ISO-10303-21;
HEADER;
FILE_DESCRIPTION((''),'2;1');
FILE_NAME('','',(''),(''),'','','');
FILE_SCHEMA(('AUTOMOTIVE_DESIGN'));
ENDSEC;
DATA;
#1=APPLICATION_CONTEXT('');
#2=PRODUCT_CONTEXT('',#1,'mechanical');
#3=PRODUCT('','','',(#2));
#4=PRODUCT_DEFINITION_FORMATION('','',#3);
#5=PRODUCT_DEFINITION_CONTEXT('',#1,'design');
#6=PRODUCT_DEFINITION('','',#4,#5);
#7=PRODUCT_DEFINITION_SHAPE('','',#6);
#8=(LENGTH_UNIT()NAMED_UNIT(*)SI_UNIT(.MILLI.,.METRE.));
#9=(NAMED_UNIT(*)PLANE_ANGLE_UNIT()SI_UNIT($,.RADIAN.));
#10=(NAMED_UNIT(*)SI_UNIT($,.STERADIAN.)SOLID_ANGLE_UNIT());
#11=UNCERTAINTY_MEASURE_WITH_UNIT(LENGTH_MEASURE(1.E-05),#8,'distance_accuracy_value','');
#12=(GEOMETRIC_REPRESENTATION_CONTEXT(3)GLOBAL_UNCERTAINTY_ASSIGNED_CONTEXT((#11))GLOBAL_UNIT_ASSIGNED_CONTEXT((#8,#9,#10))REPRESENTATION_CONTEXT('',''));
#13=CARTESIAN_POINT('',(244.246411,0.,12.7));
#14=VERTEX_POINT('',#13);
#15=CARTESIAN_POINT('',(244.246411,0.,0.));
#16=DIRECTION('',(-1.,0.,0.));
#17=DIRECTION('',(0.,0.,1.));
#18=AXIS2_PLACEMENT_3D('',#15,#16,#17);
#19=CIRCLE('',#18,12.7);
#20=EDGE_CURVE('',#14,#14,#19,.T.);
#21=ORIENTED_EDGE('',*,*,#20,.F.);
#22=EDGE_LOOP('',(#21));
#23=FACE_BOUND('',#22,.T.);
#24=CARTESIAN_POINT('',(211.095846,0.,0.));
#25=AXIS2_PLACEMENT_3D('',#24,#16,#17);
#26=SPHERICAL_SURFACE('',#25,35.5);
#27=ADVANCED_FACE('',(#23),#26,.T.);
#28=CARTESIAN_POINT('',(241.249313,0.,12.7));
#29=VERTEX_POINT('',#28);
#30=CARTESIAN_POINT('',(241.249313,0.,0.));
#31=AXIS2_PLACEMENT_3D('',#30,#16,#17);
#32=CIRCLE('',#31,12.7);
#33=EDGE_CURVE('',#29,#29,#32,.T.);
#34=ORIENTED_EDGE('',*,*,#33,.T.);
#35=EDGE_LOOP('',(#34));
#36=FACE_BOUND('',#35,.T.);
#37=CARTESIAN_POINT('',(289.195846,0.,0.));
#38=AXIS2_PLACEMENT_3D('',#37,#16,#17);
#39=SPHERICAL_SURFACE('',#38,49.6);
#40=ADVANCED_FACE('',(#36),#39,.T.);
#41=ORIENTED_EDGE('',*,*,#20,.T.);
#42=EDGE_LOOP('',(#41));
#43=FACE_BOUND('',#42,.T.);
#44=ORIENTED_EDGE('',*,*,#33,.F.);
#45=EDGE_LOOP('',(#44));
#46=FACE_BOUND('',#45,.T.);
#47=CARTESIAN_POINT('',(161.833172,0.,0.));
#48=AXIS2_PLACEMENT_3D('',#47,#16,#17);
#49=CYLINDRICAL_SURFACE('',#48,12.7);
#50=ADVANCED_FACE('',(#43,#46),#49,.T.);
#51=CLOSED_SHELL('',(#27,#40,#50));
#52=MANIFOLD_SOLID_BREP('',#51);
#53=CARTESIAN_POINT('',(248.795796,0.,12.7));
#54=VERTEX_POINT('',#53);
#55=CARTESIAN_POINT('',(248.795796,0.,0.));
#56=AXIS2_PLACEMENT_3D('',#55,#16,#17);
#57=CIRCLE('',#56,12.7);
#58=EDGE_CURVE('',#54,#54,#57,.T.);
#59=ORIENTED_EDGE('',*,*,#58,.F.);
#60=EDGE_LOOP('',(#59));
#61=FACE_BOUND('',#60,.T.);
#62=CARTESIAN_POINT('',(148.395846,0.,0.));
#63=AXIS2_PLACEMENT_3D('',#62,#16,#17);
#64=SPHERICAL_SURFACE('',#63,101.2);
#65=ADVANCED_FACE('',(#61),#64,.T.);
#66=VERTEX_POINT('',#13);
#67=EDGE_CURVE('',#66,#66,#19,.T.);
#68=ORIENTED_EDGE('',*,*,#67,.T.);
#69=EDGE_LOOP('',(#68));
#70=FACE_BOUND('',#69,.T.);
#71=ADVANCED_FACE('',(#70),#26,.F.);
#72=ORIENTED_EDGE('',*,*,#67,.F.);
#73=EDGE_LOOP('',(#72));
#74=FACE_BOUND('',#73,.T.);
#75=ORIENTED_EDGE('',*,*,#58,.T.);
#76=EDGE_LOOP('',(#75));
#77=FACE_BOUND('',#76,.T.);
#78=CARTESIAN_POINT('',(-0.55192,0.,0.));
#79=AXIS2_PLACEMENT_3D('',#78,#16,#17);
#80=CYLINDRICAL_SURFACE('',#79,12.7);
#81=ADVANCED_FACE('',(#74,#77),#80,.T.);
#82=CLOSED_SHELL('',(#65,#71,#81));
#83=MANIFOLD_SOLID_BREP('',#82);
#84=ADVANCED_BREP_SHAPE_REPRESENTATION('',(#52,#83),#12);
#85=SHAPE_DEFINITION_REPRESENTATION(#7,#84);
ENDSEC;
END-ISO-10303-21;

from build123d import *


with BuildPart() as part:
    # 草图1 one side → 旋转1 (revolve)
    with BuildSketch(Plane(origin=(0, 0, 0), x_dir=(1, 0, 0), z_dir=(0, 1, 0)), mode=Mode.PRIVATE) as revolve_1_sk:
        with BuildLine():
            ThreePointArc((241.249313087, 12.7), (240.010949636, 6.403591844), (239.595845808, 0))
            Line((239.595845808, 0), (246.595845808, 0))
            ThreePointArc((246.595845808, 0), (246.003546098, 6.457744226), (244.246411414, 12.7))
            Line((244.246411414, 12.7), (241.249313087, 12.7))
        make_face()
    revolve(revolve_1_sk.sketch.rotate(Axis((161.833171693, 0, 0), (1, 0, 0)), 180), axis=Axis((161.833171693, 0, 0), (1, 0, 0)))  # turned: the seam where the file's is


with BuildPart() as body_2:
    # 草图2 one side → 旋转3 (revolve)
    with BuildSketch(Plane(origin=(0, 0, 0), x_dir=(1, 0, 0), z_dir=(0, 1, 0)), mode=Mode.PRIVATE) as revolve_3_sk:
        with BuildLine():
            Line((248.795796008, 12.7), (244.246411414, 12.7))
            ThreePointArc((244.246411414, 12.7), (246.003546098, 6.457744226), (246.595845808, 0))
            Line((246.595845808, 0), (249.595845808, 0))
            ThreePointArc((249.595845808, 0), (249.395635314, 6.362587518), (248.795796008, 12.7))
        make_face()
    revolve(revolve_3_sk.sketch.rotate(Axis((-0.551919993, 0, 0), (1, 0, 0)), 180), axis=Axis((-0.551919993, 0, 0), (1, 0, 0)))  # turned: the seam where the file's is


solid = Compound([part.part, body_2.part])
